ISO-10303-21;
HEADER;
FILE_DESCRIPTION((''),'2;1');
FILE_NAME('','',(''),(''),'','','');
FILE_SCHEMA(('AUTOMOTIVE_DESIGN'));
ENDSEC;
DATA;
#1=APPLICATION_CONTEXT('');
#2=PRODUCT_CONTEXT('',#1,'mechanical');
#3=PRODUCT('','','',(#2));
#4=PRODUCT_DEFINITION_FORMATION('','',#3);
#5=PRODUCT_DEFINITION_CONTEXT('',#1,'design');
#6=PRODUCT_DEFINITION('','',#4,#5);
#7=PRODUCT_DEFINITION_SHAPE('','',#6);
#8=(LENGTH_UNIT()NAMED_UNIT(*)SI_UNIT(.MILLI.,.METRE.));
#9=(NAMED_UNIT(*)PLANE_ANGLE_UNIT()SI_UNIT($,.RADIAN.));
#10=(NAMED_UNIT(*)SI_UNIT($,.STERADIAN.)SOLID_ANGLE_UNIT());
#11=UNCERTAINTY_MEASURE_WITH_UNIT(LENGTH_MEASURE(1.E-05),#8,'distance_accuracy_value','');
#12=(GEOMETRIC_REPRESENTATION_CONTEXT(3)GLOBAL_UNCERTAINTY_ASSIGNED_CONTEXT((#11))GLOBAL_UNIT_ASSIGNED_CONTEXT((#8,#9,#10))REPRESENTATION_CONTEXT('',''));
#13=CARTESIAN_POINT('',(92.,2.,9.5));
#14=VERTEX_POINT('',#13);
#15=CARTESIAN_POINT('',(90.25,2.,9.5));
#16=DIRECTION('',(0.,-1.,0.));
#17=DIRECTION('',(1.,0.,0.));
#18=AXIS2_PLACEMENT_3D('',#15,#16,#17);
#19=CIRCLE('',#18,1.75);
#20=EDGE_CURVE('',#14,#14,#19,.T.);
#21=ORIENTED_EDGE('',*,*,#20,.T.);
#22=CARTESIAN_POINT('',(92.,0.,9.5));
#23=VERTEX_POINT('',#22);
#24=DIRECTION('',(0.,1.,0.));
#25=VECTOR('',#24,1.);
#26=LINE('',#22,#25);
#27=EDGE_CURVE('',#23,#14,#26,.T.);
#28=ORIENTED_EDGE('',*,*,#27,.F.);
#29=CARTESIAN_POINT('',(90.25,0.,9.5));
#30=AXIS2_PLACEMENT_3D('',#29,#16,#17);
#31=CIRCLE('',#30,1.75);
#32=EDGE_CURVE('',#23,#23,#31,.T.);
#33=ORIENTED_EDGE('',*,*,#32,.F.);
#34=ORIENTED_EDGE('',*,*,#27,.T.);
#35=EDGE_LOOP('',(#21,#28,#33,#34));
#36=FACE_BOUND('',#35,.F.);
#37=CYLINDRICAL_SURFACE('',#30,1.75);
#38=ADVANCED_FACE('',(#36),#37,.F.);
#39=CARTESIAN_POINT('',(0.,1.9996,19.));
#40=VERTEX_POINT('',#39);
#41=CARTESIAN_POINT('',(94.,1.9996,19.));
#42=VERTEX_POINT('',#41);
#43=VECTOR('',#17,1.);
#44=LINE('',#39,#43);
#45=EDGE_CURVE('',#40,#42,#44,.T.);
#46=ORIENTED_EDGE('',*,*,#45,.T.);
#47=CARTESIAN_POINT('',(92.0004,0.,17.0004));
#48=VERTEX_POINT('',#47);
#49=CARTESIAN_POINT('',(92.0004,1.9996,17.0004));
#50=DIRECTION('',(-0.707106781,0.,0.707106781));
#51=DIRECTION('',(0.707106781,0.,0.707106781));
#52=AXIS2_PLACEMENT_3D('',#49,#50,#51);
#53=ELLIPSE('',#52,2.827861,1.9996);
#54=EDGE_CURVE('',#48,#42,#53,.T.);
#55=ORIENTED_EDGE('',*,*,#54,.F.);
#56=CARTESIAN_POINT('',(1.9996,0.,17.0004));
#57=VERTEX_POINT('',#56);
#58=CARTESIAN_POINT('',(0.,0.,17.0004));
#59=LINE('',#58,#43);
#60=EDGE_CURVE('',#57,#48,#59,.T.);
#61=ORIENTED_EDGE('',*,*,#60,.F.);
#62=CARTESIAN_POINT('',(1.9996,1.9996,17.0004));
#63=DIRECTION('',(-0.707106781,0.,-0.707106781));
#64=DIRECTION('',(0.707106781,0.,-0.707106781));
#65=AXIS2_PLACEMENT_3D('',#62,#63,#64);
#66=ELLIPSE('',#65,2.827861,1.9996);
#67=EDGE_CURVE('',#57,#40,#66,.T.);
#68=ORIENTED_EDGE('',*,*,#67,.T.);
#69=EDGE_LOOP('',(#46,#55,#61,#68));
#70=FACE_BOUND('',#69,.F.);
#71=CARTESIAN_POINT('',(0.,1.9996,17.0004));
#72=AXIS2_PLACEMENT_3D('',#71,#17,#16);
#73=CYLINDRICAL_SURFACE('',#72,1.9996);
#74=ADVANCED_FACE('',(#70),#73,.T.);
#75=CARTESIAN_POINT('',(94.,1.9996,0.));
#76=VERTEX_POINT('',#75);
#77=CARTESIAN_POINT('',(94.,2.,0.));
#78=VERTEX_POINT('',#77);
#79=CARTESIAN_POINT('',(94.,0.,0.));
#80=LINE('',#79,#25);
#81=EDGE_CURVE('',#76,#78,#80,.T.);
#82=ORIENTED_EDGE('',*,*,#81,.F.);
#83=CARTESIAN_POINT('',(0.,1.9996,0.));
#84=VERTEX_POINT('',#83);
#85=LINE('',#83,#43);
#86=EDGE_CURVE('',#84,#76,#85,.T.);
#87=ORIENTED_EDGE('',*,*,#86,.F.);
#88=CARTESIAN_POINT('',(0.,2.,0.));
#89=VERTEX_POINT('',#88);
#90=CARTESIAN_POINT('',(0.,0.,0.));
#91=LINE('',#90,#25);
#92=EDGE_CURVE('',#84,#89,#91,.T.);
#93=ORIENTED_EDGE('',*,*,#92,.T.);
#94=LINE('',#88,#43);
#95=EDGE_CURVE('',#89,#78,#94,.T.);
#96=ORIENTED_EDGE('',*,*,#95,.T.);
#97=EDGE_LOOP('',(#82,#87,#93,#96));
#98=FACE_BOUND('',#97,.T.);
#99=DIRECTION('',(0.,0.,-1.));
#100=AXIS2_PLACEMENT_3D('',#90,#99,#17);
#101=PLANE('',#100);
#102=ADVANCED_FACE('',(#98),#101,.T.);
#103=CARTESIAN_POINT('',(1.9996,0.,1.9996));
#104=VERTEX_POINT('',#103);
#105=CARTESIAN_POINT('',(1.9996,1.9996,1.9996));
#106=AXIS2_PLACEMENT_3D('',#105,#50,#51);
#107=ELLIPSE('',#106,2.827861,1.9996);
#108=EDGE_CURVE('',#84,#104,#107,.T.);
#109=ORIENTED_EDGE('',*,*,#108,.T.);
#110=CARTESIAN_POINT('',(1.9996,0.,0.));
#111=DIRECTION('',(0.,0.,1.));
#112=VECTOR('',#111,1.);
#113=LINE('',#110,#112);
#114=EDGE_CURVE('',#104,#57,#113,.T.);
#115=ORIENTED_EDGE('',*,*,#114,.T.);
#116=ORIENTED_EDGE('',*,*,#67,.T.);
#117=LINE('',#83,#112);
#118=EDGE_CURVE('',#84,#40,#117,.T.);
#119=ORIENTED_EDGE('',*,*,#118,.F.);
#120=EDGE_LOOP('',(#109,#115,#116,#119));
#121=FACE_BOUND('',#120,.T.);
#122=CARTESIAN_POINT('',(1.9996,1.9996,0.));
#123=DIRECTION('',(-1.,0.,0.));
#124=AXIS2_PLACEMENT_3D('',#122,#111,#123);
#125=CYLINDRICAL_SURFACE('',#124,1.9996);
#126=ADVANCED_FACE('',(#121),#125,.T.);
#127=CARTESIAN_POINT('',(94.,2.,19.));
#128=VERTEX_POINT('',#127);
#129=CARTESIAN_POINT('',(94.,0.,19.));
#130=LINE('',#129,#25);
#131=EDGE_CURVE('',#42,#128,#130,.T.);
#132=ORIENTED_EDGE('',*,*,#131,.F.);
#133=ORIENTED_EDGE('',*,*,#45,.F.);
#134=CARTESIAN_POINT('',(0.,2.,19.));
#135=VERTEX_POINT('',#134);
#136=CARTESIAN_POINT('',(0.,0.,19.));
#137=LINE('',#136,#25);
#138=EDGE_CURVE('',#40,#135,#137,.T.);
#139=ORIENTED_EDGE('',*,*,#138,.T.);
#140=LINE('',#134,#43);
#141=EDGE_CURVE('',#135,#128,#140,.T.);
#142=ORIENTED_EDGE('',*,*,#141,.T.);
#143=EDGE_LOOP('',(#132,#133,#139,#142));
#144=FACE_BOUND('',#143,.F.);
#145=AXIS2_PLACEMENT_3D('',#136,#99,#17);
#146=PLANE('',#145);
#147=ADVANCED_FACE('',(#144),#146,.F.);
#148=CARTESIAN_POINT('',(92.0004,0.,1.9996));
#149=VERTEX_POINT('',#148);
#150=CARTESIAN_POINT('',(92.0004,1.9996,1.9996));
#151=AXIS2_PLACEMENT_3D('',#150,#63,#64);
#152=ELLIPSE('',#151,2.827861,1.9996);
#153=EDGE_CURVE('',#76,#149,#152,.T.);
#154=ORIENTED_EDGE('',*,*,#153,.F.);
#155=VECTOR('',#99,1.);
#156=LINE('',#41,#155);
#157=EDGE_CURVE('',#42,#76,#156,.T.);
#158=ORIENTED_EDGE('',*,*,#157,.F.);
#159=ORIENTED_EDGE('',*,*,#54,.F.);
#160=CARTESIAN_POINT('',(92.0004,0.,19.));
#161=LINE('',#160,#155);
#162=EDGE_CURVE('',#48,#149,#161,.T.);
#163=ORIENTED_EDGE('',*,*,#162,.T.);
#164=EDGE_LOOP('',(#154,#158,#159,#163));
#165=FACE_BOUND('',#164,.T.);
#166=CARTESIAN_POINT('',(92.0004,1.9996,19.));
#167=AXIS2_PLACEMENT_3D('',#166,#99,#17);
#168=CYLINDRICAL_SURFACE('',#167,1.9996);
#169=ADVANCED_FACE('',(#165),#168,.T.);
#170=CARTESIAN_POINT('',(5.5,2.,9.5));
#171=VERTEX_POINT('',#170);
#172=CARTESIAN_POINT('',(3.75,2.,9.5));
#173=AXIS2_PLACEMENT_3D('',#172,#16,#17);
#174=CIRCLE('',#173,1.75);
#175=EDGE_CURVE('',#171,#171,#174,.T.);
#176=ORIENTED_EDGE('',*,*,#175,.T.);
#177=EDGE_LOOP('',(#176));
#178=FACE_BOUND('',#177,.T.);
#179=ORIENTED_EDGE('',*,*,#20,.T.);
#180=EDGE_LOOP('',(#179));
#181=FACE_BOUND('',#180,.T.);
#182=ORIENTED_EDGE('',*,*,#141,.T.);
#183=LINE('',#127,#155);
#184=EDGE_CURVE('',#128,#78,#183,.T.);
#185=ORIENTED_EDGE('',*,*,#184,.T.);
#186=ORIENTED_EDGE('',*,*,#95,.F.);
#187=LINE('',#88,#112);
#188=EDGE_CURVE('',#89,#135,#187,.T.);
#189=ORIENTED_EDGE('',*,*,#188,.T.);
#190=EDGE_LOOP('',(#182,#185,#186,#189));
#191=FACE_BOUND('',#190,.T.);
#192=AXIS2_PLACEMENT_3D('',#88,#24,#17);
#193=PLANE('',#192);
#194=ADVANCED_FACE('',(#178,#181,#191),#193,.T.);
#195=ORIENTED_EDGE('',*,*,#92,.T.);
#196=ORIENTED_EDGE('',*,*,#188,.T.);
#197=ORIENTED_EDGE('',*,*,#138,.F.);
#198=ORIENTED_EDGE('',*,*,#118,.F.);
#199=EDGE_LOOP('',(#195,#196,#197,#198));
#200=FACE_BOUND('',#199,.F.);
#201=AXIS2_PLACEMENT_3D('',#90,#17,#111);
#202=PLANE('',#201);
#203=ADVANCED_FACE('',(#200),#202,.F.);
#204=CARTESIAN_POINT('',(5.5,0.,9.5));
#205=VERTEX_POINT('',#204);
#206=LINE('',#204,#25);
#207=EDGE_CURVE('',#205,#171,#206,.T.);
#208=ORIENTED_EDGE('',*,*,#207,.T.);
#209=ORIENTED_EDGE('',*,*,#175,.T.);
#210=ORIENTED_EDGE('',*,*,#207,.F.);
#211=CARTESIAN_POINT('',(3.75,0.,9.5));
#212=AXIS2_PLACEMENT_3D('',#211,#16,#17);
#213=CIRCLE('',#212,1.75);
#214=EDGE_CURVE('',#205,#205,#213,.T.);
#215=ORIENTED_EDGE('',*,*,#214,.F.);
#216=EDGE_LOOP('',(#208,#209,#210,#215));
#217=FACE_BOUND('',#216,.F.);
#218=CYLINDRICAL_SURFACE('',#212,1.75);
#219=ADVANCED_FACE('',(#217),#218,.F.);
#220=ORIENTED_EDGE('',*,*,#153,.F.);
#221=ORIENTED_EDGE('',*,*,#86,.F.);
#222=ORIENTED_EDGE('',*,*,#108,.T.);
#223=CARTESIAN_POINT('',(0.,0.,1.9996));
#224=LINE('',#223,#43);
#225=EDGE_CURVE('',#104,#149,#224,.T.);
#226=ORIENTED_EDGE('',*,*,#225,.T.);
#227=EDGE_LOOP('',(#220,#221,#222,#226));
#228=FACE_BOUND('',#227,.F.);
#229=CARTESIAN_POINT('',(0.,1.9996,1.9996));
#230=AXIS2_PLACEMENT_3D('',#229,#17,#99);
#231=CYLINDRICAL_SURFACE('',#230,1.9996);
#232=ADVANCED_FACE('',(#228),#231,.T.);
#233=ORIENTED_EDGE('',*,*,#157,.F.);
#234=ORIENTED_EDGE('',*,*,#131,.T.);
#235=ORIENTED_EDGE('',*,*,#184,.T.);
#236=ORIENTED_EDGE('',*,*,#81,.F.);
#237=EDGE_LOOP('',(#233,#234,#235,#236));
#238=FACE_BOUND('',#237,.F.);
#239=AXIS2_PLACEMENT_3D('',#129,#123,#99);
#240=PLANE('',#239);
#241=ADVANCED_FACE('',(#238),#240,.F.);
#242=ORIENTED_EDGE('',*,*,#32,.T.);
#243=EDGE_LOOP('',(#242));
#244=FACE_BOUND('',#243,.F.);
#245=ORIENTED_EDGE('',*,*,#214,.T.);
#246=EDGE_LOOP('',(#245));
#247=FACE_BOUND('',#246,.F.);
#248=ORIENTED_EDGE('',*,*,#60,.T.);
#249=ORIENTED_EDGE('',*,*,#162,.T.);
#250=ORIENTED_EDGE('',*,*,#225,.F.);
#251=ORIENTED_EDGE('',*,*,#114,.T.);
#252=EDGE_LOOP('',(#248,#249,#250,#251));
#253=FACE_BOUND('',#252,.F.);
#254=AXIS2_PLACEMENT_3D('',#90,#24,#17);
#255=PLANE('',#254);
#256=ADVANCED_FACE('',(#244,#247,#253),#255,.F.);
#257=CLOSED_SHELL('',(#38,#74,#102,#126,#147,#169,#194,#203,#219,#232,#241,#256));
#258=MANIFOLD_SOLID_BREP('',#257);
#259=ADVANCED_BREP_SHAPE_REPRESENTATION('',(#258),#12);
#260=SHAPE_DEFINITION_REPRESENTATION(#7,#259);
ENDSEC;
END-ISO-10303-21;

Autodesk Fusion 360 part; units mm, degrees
sketch "Skizze1" plane through (0, 0, 0) normal (0, 1, 0) x (1, 0, 0)
  line L0 (0, 0) -> (94, 0)
  line L1 (0, 0) -> (0, -19)
  line L2 (0, -19) -> (94, -19)
  line L3 (94, -19) -> (94, 0)
  dimension "d1" = 94
  dimension "d2" = 19
extrude "Extrusion1" add sketch "Skizze1" along normal blind 2
sketch "Skizze2" plane through (0, 0, 0) normal (0, -1, 0) x (1, 0, 0)
  line L0 (0, 19) -> (0, 0)
  line L1 (0, 0) -> (94, 0)
  line L2 (94, 0) -> (94, 19)
  line L3 (94, 19) -> (0, 19)
  circle A0 centre (3.75, 9.5) radius 1.75
  circle A1 centre (90.25, 9.5) radius 1.75
  dimension "d8" = 3.5
  dimension "d9" = 3.5
extrude "Extrusion2" cut sketch "Skizze2" against normal blind 2 contours A0 | A1
fillet "Abrundung1" radius 2 4 edges at (47, 0, 19) (94, 0, 9.5) (47, 0, 0) (0, 0, 9.5)
